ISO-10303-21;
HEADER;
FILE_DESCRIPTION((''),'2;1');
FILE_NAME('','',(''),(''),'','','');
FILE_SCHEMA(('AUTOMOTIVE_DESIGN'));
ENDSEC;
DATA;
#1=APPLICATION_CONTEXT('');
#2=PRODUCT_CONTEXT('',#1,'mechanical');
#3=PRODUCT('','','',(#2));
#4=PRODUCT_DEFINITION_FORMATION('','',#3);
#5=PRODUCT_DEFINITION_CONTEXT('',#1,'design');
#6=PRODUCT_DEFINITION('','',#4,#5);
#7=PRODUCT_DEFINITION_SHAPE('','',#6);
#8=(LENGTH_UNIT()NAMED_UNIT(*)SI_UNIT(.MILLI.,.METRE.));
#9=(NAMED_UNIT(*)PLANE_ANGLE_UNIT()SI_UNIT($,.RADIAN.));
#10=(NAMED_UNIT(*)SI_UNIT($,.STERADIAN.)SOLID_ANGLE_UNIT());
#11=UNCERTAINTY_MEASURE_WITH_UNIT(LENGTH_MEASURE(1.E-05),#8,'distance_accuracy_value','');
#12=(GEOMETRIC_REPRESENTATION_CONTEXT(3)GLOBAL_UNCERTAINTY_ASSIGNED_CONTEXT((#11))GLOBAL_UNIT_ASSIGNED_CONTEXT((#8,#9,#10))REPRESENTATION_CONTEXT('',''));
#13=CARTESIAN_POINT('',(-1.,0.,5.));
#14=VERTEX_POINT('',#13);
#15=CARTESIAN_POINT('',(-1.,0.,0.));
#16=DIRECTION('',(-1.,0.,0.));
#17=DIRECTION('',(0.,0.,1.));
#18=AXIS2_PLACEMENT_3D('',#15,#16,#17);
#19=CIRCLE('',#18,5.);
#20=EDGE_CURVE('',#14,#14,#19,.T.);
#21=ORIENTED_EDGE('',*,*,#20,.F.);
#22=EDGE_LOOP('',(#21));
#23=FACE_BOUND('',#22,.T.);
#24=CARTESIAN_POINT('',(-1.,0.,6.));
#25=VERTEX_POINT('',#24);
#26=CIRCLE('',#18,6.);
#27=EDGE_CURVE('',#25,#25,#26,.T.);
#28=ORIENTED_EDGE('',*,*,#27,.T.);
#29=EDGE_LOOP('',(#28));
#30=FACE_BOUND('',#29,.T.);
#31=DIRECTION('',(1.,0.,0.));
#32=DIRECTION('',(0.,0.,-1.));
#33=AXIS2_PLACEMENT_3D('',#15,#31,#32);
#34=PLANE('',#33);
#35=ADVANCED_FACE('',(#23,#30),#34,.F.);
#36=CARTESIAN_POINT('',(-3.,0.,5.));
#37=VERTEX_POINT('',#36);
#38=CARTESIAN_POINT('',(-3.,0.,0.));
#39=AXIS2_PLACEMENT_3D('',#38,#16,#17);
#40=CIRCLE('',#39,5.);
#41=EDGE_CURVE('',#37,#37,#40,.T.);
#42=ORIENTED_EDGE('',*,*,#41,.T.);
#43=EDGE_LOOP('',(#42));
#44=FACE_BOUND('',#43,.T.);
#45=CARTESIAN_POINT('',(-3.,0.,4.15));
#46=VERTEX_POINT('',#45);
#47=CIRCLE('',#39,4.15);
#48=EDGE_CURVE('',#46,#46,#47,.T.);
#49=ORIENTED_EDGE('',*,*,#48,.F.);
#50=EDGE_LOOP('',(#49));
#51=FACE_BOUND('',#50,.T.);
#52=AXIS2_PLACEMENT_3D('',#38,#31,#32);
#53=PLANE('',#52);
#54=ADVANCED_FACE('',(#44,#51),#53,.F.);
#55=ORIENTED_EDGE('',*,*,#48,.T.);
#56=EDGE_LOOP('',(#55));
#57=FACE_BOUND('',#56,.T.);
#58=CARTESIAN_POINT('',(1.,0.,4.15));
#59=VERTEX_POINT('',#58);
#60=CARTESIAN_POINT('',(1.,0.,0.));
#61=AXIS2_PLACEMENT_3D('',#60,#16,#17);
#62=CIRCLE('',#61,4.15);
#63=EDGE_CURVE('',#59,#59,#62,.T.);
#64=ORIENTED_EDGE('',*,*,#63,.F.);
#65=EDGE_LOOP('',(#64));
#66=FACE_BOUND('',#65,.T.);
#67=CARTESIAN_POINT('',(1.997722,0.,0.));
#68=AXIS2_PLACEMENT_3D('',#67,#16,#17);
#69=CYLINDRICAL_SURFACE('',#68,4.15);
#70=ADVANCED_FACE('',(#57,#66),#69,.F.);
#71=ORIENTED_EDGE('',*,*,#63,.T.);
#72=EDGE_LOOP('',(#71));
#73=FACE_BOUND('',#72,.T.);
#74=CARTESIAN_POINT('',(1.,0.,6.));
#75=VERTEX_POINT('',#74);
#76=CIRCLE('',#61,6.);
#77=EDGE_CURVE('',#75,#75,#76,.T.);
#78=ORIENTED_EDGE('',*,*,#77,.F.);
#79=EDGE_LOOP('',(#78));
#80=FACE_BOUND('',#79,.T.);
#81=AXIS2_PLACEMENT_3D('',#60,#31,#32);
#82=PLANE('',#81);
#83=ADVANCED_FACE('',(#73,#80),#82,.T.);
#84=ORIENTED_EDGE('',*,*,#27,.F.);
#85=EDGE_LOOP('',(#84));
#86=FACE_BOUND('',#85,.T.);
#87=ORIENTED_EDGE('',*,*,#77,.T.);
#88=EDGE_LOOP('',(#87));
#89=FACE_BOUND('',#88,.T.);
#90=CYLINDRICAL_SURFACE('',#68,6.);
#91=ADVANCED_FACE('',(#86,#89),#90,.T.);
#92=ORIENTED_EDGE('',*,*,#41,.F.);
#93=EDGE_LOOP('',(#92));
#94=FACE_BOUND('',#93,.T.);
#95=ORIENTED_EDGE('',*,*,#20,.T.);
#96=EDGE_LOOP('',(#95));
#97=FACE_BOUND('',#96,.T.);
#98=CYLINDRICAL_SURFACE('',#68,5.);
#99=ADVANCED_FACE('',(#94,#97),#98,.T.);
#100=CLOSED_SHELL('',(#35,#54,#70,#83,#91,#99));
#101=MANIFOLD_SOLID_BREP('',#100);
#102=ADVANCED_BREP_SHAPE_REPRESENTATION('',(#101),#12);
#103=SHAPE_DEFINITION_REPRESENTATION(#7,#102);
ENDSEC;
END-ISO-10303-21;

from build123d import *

# Parameters (mm, degrees)
SKETCH1_W = 2
SKETCH1_H = 0.85


with BuildPart() as part:
    # Sketch1 → Revolve1 (revolve)
    with BuildSketch(Plane.XY, mode=Mode.PRIVATE) as revolve1_sk:
        with Locations((-2, 4.575)):
            Rectangle(SKETCH1_W, SKETCH1_H)
        Polygon((1, 6), (-1, 6), (-1, 5), (-1, 4.15), (1, 4.15), align=None)
    revolve(revolve1_sk.sketch.rotate(Axis((1.997722096, 0, 0), (1, 0, 0)), 90), axis=Axis((1.997722096, 0, 0), (1, 0, 0)))


solid = part.part
